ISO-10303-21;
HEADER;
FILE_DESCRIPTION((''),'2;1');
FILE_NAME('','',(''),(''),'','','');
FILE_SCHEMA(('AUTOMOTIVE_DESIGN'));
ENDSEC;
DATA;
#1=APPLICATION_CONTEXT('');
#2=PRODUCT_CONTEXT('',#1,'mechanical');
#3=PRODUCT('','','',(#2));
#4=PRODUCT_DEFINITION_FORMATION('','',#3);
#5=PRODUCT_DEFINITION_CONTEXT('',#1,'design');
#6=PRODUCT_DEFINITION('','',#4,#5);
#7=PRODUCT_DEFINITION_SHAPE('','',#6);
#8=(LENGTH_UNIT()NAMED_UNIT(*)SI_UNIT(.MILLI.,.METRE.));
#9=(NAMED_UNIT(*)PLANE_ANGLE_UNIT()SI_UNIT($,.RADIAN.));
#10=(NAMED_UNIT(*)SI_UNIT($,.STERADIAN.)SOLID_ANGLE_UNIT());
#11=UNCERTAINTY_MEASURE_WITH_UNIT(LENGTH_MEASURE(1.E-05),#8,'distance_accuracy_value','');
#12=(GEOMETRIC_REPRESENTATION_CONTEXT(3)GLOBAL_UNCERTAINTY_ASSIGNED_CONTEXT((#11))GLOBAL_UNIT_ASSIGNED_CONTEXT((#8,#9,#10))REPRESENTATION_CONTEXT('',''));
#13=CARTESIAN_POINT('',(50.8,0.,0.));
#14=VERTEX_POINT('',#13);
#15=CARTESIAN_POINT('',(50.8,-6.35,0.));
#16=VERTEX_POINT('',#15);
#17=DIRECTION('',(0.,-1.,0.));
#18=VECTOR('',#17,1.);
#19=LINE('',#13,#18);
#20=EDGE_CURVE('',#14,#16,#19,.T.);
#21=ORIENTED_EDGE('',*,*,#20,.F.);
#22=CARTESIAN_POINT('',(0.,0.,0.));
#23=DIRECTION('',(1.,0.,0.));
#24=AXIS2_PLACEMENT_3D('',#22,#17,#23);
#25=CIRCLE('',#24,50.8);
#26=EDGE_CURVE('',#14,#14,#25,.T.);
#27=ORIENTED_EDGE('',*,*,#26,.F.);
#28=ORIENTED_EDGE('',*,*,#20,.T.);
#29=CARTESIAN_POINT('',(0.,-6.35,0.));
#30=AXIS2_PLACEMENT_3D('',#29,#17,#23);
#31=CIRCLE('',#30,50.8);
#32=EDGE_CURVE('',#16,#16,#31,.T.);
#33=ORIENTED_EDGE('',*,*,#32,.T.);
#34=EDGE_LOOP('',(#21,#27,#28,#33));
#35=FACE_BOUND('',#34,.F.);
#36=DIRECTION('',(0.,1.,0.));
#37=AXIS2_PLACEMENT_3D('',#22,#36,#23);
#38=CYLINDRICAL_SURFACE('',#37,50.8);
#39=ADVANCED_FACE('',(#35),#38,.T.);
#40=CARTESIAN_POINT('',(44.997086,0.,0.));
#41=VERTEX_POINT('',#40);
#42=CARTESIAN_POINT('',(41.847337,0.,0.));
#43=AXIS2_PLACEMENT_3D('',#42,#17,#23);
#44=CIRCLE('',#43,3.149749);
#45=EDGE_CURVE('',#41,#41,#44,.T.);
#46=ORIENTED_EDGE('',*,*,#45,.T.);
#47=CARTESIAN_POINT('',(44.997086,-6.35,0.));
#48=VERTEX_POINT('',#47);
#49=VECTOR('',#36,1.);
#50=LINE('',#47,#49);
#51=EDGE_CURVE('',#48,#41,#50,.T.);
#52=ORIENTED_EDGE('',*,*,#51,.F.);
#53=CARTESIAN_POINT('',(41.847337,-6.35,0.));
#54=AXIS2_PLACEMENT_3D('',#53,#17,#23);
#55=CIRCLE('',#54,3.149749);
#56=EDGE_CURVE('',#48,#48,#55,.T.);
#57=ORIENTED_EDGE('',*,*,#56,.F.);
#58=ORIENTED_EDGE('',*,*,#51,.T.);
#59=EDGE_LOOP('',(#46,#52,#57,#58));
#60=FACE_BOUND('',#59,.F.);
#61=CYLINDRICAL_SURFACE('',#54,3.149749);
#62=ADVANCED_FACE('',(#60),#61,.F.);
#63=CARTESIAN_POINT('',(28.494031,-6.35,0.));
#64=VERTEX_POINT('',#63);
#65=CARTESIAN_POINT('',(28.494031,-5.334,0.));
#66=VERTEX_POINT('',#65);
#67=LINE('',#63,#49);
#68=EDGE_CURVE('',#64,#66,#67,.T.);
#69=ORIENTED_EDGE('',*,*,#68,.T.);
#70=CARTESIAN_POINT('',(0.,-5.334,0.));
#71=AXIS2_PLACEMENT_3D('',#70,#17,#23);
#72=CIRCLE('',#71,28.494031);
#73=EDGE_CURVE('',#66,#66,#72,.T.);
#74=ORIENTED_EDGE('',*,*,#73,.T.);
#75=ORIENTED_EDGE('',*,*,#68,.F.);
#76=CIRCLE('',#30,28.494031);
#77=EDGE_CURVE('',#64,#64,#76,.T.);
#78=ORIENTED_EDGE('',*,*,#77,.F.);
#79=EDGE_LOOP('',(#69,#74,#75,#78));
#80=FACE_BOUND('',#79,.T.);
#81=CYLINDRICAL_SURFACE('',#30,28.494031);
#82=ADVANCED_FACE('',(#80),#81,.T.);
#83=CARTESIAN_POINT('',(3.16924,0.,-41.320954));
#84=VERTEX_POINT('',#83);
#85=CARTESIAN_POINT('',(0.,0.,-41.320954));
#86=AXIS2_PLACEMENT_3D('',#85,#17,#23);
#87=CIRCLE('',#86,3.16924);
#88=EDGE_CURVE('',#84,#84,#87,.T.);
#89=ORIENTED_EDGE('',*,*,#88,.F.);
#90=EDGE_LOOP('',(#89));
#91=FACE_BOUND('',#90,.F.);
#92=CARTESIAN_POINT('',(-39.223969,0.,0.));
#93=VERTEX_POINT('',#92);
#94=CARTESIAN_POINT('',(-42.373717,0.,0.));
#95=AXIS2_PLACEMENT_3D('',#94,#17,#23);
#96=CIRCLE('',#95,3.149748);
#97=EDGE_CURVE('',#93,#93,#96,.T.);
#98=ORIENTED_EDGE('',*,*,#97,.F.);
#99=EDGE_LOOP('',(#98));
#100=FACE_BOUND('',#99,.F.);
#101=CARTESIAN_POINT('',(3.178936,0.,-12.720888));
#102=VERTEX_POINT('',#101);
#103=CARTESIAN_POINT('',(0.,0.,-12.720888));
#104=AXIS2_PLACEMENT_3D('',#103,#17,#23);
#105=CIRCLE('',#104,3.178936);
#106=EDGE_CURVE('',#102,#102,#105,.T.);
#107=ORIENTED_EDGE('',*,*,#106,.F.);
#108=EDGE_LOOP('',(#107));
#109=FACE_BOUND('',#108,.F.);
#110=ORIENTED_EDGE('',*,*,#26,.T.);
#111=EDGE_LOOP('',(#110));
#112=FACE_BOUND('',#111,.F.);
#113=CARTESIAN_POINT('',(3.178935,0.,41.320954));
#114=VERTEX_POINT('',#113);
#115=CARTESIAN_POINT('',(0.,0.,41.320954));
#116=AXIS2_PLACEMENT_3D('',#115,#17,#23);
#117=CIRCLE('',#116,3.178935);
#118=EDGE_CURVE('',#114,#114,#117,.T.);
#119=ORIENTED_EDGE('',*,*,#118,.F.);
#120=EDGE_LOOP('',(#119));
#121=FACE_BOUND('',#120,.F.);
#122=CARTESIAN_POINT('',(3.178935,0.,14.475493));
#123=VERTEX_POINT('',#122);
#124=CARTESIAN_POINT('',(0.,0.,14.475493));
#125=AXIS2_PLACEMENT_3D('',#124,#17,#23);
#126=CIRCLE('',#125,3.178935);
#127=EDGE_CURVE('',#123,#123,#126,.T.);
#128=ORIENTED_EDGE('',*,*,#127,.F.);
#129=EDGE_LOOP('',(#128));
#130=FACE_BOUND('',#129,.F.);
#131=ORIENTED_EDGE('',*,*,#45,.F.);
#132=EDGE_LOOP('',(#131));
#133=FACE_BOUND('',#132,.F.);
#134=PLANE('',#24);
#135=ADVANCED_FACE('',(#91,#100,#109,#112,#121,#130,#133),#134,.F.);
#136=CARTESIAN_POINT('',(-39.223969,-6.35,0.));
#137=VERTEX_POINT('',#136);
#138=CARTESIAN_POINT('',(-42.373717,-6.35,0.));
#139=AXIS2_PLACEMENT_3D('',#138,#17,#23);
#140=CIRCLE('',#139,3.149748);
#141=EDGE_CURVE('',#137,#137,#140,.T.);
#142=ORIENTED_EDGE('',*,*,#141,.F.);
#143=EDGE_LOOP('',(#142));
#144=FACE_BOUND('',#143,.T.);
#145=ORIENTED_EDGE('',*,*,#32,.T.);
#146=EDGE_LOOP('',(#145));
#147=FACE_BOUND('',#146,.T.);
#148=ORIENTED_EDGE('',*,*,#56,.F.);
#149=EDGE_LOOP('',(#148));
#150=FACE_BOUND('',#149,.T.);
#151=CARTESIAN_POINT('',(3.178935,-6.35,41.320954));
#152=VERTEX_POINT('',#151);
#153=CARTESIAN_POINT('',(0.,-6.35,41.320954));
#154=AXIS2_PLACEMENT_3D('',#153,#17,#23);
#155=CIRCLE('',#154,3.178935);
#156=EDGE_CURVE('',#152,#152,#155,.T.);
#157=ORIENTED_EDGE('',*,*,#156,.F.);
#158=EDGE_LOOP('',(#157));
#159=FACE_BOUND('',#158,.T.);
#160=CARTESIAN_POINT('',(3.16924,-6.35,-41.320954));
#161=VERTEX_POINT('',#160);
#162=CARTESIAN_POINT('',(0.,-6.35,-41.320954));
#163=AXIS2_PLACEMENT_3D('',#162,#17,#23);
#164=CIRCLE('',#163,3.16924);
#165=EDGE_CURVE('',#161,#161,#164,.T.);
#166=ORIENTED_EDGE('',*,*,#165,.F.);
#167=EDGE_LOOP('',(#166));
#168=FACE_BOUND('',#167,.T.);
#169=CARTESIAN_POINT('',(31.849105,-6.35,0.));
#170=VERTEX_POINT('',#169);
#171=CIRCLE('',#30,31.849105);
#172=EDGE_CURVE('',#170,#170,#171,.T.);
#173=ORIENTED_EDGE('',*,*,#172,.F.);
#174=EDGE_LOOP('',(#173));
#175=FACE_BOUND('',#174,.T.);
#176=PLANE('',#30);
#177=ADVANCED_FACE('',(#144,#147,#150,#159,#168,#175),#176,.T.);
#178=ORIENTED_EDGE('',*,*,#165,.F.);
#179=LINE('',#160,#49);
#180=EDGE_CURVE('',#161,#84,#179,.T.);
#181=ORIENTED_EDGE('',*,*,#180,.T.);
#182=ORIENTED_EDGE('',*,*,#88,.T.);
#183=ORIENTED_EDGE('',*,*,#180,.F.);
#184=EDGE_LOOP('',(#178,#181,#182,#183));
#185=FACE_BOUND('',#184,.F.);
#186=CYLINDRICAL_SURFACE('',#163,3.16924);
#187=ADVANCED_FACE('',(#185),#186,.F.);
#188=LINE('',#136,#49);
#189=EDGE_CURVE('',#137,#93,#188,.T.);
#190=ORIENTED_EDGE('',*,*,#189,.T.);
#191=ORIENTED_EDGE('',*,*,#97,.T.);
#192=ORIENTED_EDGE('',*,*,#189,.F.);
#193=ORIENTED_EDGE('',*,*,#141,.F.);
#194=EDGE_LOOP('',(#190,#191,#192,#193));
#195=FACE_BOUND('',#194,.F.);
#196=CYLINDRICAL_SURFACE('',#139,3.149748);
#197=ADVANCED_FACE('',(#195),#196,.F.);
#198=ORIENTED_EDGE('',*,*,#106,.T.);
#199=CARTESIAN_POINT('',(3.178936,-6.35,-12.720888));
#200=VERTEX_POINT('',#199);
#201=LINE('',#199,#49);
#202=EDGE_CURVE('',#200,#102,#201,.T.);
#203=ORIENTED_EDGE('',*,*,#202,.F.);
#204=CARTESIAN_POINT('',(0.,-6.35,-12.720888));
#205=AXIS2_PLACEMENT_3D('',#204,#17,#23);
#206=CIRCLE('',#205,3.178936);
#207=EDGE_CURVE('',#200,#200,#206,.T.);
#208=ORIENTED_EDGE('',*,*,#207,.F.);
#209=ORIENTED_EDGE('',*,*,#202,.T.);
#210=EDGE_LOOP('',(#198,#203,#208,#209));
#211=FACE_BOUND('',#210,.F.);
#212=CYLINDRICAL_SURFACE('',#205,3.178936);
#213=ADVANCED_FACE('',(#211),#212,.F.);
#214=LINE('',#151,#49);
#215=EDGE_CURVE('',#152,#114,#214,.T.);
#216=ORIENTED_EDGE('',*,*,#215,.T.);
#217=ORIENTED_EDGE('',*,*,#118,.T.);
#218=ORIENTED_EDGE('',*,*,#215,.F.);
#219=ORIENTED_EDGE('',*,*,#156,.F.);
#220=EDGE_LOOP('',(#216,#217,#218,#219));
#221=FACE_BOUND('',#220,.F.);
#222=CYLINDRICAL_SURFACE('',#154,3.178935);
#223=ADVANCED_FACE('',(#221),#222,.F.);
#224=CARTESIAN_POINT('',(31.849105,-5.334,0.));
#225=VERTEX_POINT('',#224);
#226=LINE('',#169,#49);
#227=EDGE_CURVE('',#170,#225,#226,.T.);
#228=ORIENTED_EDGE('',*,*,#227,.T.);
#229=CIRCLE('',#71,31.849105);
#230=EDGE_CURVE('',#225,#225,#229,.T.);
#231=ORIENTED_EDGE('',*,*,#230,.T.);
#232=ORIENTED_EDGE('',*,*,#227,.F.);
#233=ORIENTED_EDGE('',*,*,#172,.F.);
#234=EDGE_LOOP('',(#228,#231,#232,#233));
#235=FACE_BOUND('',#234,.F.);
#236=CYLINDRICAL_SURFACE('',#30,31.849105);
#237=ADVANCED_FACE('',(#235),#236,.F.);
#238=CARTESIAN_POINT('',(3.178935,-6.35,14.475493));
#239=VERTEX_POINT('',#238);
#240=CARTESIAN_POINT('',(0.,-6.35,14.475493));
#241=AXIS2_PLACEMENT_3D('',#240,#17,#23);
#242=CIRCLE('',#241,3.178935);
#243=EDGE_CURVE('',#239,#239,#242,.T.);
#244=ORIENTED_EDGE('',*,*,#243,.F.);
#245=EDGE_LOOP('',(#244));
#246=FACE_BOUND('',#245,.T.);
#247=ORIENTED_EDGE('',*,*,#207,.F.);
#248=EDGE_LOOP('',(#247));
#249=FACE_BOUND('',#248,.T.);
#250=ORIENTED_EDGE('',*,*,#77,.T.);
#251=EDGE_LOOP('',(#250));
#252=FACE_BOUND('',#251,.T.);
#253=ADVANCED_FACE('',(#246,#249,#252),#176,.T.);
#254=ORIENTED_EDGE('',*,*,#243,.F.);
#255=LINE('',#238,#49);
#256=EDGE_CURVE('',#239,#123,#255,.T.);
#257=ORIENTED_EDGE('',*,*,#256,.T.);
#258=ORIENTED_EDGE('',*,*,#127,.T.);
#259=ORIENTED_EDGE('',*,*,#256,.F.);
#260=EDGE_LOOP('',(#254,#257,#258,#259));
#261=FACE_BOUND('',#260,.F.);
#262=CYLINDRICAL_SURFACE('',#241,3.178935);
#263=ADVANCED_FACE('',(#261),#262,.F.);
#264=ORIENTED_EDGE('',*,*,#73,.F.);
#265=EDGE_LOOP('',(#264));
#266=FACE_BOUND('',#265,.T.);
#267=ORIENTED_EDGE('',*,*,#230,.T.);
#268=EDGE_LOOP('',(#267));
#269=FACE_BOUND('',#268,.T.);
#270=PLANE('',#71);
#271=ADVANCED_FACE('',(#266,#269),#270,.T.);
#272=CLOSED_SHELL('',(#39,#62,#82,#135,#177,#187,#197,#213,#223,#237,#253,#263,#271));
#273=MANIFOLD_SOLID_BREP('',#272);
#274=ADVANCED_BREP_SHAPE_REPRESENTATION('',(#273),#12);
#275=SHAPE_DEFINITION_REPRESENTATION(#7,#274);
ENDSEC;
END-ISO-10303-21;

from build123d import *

# Parameters (mm, degrees)
F0_R      = 50.8
F1_DEPTH  = 6.35
F2_R      = 31.849105
F2_R_2    = 28.494031
F3_DEPTH  = 1.016
F4_R      = 3.178935
F5_DEPTH  = 25.4
F6_R      = 3.178936
F7_DEPTH  = 25.4
F8_R      = 3.178935
F9_DEPTH  = 25.4
F10_R     = 3.149749
F11_DEPTH = 25.4
F12_R     = 3.16924
F13_DEPTH = 25.4
F14_R     = 3.149748
F15_DEPTH = 25.4


with BuildPart() as f1:
    # F0 (on Front) → F1 (new body)
    with BuildSketch(Plane.XZ):
        Circle(F0_R)
    extrude(amount=F1_DEPTH)

    # F2 (on face) → F3 (cut)
    with BuildSketch(Plane.XZ.offset(6.35)):
        Circle(F2_R)
        Circle(F2_R_2, mode=Mode.SUBTRACT)
    extrude(amount=-F3_DEPTH, mode=Mode.SUBTRACT)

    # F4 (on face) → F5 (cut)
    with BuildSketch(Plane.XZ.offset(6.35)):
        with Locations((0, 14.475493)):
            Circle(F4_R)
    extrude(amount=-F5_DEPTH, mode=Mode.SUBTRACT)

    # F6 (on face) → F7 (cut)
    with BuildSketch(Plane.XZ.offset(6.35)):
        with Locations((0, -12.720888)):
            Circle(F6_R)
    extrude(amount=-F7_DEPTH, mode=Mode.SUBTRACT)

    # F8 (on face) → F9 (cut)
    with BuildSketch(Plane.XZ.offset(6.35)):
        with Locations((0, 41.320954)):
            Circle(F8_R)
    extrude(amount=-F9_DEPTH, mode=Mode.SUBTRACT)

    # F10 (on face) → F11 (cut)
    with BuildSketch(Plane.XZ.offset(6.35)):
        with Locations((41.847337, 0)):
            Circle(F10_R)
    extrude(amount=-F11_DEPTH, mode=Mode.SUBTRACT)

    # F12 (on face) → F13 (cut)
    with BuildSketch(Plane.XZ.offset(6.35)):
        with Locations((0, -41.320954)):
            Circle(F12_R)
    extrude(amount=-F13_DEPTH, mode=Mode.SUBTRACT)

    # F14 (on face) → F15 (cut)
    with BuildSketch(Plane.XZ.offset(6.35)):
        with Locations((-42.373717, 0)):
            Circle(F14_R)
    extrude(amount=-F15_DEPTH, mode=Mode.SUBTRACT)


solid = f1.part
